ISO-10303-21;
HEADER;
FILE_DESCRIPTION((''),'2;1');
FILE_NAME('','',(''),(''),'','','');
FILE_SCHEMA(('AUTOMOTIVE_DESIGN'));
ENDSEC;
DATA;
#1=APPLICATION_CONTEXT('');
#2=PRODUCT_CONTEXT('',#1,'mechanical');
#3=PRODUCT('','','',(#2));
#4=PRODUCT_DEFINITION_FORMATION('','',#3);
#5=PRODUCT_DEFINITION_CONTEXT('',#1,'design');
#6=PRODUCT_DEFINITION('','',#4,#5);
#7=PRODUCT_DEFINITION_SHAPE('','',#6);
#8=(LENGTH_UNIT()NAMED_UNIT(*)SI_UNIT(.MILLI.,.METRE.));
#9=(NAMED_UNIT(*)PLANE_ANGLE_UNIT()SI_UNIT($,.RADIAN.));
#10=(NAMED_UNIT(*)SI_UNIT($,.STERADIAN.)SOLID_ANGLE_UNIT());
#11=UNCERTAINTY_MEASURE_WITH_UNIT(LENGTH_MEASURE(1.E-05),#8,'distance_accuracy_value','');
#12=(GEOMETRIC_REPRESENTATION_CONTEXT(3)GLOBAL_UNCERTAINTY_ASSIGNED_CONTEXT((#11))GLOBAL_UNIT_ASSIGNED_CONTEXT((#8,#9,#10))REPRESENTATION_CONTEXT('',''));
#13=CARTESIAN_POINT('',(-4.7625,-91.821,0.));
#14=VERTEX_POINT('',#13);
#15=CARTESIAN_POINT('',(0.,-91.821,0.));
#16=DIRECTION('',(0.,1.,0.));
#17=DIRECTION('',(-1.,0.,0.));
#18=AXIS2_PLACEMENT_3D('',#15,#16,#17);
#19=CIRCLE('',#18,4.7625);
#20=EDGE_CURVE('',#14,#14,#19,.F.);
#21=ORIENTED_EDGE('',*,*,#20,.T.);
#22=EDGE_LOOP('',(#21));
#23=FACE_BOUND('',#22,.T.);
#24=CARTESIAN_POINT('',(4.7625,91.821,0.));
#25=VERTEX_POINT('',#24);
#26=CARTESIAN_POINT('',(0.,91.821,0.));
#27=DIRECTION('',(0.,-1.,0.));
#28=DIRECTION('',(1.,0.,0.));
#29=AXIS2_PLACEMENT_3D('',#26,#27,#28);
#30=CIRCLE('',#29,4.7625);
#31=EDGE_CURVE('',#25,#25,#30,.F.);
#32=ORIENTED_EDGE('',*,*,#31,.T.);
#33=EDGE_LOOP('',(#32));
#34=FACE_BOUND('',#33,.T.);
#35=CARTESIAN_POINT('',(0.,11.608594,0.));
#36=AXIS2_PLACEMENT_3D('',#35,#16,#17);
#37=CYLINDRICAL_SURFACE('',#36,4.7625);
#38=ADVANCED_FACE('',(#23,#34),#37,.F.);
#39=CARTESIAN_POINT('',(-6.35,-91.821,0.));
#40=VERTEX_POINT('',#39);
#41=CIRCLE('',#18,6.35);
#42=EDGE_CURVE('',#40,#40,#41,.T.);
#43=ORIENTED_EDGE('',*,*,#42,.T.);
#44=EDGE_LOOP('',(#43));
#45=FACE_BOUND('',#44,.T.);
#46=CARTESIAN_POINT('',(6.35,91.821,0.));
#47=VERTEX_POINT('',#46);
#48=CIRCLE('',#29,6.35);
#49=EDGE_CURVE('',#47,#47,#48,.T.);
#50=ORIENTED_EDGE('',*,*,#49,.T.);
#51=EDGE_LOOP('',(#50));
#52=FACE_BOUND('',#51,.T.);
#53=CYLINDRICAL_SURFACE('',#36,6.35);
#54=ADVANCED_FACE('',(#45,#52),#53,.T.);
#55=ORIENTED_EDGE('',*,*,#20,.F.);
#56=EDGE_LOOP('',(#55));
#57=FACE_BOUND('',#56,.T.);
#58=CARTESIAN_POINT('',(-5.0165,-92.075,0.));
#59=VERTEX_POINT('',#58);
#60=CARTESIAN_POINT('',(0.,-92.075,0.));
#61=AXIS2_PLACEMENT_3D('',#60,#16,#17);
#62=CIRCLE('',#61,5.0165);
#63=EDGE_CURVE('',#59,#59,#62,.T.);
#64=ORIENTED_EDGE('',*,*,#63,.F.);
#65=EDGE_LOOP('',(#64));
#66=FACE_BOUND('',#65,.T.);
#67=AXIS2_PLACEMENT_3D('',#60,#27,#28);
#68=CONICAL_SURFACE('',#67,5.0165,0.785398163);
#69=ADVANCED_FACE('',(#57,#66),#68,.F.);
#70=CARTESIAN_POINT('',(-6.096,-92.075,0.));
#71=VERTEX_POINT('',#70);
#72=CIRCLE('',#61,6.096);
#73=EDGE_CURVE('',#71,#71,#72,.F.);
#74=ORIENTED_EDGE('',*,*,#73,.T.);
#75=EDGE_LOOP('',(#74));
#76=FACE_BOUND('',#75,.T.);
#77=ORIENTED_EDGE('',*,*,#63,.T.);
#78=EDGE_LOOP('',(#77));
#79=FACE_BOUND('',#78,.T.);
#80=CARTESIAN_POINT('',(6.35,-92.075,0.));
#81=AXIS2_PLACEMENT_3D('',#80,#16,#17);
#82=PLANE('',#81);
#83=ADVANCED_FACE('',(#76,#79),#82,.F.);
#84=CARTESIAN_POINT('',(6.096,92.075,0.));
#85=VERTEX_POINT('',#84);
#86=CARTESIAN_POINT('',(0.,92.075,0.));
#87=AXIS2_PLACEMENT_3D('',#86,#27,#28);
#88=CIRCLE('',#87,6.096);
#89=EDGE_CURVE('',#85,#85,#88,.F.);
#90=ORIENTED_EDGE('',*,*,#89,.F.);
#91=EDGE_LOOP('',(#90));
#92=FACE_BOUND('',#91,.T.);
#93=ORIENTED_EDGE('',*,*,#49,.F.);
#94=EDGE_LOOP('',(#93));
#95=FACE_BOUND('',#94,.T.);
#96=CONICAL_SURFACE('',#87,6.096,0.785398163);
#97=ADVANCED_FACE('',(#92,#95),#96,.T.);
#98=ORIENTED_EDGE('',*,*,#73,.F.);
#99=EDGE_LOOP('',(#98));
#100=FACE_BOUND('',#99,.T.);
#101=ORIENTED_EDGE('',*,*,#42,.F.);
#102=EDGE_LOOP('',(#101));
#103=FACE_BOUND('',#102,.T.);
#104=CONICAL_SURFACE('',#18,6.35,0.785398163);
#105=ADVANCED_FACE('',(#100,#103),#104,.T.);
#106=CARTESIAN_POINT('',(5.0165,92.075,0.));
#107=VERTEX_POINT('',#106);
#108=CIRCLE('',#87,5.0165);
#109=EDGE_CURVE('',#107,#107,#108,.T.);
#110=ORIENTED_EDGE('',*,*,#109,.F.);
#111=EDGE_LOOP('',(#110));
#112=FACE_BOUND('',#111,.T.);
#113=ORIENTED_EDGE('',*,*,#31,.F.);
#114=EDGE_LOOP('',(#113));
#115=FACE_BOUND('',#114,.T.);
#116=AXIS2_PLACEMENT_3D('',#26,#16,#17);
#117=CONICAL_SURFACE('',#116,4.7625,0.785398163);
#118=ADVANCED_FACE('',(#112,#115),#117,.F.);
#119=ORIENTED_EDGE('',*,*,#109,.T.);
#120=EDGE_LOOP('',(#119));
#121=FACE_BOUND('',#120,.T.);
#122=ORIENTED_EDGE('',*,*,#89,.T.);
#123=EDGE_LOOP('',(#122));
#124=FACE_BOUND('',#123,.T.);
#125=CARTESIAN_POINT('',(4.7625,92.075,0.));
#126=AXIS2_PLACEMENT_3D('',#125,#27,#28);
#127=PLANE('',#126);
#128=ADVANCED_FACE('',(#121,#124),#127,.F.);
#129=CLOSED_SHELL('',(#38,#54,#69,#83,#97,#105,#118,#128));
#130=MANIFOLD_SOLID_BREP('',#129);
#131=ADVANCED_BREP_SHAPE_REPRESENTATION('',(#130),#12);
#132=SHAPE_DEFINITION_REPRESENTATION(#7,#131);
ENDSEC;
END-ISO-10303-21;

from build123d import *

# Parameters (mm, degrees)
SKETCH1_W     = 1.5875
SKETCH1_H     = 184.15
CHAMFER1_SIZE = 0.254


with BuildPart() as part:
    # Sketch1 → Revolve1 (revolve)
    with BuildSketch(Plane.XY):
        with Locations((5.55625, 0)):
            Rectangle(SKETCH1_W, SKETCH1_H)
    revolve(axis=Axis((0, 11.60859375, 0), (0, -1, 0)))

    # Chamfer1
    chamfer1_edges = [part.edges().sort_by_distance(p)[0] for p in [
        (-4.7625, -92.075, 0),
        (-6.35, -92.075, 0),
        (-6.35, 92.075, 0),
        (-4.7625, 92.075, 0),
    ]]
    chamfer(chamfer1_edges, length=CHAMFER1_SIZE)


solid = part.part
